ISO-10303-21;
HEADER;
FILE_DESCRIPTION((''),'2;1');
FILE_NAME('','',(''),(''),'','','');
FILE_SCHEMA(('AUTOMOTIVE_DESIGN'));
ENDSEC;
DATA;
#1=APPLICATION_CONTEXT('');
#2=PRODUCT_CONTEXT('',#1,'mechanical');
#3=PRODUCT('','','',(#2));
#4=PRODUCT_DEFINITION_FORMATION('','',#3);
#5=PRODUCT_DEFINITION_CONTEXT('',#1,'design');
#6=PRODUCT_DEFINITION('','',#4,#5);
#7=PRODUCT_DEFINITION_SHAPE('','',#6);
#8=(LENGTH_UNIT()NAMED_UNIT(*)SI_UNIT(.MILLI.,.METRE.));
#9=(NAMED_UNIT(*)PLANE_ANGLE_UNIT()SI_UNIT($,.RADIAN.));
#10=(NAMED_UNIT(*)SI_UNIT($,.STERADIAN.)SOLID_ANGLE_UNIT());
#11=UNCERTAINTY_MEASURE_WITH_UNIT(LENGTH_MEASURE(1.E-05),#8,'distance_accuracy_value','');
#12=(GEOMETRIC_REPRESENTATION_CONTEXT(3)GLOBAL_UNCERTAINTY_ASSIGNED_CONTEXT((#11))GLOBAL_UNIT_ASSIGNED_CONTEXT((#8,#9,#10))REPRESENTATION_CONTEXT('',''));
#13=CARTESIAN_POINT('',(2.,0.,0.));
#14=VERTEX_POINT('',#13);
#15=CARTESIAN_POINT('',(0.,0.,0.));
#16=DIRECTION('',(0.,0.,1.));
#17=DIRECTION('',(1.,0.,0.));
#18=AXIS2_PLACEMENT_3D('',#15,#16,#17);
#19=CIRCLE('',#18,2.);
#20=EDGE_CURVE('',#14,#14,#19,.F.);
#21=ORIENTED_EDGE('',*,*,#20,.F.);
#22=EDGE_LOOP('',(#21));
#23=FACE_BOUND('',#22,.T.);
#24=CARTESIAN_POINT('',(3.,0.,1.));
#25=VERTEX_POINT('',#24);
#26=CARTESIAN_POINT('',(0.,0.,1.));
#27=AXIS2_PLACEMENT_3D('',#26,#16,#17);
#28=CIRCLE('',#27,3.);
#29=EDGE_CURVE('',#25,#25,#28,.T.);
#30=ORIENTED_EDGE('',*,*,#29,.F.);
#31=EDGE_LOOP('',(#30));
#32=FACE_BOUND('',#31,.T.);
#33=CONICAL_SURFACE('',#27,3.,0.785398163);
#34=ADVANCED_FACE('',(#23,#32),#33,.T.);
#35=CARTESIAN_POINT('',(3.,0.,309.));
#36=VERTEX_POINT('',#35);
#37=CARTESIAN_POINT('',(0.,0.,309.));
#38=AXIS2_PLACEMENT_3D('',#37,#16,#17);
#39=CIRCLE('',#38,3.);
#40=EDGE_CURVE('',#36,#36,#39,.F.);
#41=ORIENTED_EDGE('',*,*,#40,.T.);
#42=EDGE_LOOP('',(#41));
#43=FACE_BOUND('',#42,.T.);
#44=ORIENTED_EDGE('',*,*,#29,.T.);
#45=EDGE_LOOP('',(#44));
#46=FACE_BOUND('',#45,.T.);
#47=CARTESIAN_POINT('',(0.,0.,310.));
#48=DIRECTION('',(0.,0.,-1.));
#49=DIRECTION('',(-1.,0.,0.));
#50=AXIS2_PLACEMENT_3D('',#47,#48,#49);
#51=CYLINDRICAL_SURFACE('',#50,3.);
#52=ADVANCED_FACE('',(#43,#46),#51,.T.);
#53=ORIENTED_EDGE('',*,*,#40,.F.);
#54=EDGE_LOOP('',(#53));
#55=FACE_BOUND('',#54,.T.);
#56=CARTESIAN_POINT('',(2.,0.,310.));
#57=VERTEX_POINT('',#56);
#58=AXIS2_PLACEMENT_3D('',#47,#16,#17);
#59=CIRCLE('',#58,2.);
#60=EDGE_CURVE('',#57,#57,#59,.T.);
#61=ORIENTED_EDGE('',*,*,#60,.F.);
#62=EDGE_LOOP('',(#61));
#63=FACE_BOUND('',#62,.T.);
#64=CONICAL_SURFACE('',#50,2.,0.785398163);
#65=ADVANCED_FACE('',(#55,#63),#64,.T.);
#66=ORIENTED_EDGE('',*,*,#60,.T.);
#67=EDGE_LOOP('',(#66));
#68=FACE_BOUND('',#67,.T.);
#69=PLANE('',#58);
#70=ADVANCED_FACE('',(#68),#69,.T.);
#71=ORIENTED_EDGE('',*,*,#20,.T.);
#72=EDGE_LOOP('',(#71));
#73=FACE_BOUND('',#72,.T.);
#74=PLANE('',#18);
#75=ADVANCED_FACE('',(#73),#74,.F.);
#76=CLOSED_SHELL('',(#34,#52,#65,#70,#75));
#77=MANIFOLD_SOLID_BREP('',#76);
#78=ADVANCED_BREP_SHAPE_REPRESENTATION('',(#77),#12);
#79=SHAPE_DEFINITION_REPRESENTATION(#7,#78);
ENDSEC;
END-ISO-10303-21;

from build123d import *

# Parameters (mm, degrees)
SKETCH1_R           = 3
BOSS_EXTRUDE1_DEPTH = 310
CHAMFER1_SIZE       = 1


with BuildPart() as part:
    # Sketch1 → Boss-Extrude1 (new body)
    with BuildSketch(Plane.XY):
        Circle(SKETCH1_R)
    extrude(amount=BOSS_EXTRUDE1_DEPTH)

    # Chamfer1
    chamfer1_edges = [part.edges().sort_by_distance(p)[0] for p in [
        (-3, 0, 0),
        (-3, 0, 310),
    ]]
    chamfer(chamfer1_edges, length=CHAMFER1_SIZE)


solid = part.part
